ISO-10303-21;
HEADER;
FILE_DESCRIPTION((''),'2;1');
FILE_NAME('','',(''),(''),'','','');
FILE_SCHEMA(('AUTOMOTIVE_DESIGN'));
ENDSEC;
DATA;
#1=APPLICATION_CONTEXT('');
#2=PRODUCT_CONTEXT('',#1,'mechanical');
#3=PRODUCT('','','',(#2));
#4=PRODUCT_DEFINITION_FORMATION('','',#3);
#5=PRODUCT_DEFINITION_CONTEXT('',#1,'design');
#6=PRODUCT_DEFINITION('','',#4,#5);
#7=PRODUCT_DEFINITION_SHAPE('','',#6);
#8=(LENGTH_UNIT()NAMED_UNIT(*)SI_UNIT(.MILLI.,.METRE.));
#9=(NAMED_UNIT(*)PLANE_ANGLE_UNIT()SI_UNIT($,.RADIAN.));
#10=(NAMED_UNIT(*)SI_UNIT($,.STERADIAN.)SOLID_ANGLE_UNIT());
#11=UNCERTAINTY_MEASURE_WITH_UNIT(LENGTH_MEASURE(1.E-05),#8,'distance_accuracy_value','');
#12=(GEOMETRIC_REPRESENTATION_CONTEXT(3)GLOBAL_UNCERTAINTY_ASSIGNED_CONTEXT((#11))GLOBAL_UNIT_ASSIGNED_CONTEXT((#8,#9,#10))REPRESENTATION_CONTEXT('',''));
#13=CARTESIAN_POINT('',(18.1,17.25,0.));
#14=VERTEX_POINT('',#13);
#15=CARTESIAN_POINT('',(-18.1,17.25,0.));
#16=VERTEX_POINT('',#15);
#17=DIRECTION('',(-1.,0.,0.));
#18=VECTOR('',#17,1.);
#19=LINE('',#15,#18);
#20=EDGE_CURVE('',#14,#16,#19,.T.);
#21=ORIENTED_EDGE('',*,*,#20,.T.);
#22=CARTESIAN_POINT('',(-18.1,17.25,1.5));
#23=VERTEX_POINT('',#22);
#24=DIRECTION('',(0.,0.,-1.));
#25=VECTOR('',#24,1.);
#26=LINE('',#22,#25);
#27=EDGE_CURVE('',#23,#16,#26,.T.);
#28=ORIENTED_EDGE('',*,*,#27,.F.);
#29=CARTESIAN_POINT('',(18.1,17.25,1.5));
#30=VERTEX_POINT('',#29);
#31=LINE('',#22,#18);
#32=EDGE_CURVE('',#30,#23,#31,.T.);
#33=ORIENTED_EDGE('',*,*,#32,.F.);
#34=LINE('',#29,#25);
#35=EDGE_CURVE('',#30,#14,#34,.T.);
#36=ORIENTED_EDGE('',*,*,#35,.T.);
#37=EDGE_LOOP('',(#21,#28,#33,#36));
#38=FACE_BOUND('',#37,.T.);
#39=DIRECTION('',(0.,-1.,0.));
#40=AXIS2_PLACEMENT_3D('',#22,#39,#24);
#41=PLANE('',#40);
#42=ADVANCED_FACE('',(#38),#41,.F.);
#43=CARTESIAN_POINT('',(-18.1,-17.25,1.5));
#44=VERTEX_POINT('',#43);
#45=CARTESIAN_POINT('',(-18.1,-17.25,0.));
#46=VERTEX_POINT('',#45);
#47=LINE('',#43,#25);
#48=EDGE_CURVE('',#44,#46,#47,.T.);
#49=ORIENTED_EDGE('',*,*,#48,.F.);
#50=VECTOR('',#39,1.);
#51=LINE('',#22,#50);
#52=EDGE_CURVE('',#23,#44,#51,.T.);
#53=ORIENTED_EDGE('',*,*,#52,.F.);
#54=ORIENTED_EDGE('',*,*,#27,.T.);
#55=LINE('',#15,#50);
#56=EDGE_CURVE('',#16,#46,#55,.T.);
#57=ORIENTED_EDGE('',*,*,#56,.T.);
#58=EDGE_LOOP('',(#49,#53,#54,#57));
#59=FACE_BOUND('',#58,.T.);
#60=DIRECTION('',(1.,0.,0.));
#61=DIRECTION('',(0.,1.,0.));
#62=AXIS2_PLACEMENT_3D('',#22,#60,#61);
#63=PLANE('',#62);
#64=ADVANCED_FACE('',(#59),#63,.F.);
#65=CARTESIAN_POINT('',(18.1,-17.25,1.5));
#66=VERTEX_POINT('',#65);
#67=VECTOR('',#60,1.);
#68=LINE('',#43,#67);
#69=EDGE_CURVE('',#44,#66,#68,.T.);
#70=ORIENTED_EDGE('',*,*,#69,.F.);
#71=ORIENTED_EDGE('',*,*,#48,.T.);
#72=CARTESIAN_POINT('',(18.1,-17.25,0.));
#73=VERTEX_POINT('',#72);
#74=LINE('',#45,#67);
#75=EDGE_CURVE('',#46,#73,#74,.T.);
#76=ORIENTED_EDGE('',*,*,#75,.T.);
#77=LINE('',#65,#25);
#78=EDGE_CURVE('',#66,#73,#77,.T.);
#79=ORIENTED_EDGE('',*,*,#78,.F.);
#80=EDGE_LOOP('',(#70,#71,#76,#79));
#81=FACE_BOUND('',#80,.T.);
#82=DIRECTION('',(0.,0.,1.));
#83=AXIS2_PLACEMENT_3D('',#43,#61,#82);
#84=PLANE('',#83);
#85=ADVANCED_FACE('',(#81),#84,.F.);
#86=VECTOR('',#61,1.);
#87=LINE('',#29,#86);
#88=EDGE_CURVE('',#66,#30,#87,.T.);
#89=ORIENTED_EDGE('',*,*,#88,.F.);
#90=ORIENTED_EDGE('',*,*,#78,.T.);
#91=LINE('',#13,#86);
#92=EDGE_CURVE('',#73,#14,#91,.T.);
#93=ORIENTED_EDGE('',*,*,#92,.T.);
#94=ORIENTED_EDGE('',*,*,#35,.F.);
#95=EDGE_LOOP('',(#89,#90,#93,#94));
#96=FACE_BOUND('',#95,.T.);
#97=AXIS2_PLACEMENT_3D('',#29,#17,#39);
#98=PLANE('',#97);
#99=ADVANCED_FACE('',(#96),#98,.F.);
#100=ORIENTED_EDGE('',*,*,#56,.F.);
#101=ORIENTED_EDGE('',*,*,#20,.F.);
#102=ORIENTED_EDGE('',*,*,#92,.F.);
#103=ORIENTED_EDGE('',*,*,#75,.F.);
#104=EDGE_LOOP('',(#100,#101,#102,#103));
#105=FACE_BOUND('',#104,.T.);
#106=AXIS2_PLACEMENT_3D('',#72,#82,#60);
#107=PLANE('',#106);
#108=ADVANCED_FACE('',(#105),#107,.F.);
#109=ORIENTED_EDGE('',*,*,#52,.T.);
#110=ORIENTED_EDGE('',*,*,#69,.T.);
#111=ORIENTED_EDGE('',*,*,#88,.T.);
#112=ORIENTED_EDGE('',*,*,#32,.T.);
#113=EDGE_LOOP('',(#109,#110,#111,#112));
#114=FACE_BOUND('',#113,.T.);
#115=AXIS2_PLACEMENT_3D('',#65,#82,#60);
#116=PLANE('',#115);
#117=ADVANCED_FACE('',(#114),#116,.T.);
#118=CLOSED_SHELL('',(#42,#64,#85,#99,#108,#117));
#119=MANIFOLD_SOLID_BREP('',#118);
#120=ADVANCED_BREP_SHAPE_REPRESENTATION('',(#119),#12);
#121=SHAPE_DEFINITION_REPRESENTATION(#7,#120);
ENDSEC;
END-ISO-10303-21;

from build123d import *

# Parameters (mm, degrees)
SKETCH_1_W      = 36.2
SKETCH_1_H      = 34.5
EXTRUDE_1_DEPTH = 1.5


with BuildPart() as part:
    # 草图1 → 凸台-拉伸1 (new body)
    with BuildSketch(Plane.XY):
        Rectangle(SKETCH_1_W, SKETCH_1_H)
    extrude(amount=EXTRUDE_1_DEPTH)


solid = part.part
